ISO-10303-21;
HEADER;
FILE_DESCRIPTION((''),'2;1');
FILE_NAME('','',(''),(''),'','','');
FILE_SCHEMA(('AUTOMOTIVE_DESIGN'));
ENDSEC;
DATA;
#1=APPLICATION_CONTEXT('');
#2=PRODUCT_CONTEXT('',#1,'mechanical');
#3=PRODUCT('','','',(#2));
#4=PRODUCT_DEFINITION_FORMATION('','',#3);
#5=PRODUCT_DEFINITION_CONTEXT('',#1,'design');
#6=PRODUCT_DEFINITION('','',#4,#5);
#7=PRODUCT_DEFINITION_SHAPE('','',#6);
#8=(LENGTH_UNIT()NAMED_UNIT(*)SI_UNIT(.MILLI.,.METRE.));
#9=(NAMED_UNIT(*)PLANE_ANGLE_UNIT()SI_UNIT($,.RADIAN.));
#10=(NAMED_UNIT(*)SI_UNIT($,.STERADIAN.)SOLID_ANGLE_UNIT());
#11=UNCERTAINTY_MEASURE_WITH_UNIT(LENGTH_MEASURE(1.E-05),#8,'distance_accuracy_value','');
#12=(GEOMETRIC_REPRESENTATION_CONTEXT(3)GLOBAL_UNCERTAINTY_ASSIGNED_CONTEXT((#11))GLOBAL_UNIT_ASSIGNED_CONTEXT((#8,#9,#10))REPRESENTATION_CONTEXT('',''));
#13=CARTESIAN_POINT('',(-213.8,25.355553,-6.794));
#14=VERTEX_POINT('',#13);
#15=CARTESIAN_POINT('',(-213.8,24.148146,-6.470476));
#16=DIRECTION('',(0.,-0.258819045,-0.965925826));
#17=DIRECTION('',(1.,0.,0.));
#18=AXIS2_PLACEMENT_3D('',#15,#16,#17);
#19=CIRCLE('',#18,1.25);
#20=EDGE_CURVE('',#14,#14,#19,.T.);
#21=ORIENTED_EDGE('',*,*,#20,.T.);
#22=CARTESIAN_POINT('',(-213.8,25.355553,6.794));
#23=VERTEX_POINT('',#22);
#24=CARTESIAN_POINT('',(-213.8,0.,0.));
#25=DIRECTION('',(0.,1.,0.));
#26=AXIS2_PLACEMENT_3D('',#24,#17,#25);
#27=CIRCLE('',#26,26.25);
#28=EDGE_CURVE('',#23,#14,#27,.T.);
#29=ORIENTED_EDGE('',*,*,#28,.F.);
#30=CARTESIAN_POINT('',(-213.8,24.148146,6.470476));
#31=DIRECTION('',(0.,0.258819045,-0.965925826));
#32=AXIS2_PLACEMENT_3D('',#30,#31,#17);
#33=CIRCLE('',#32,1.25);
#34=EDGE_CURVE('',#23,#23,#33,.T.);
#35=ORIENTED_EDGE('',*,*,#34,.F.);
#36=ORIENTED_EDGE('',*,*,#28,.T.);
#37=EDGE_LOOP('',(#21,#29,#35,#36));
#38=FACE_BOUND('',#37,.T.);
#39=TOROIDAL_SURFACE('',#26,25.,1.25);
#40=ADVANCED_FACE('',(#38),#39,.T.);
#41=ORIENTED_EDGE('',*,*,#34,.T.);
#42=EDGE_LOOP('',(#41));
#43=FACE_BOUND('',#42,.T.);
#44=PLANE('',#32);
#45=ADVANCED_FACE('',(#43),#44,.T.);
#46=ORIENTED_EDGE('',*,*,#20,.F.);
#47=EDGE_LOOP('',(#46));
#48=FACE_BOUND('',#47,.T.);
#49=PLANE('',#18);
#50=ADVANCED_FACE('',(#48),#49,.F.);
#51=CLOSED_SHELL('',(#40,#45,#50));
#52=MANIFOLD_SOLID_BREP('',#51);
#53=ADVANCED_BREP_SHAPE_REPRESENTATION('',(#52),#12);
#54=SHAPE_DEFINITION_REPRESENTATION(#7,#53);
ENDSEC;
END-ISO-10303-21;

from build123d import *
from build123d.topology import SkipClean

# Parameters (mm, degrees)
SKICA1_R       = 1.25
ROTOVAT1_ANGLE = 330


with BuildPart() as part:
    # Skica1 → Rotovat1 (revolve, symmetric)
    with SkipClean():  # the faces are left unmerged after this step: merging them gives an invalid solid
        with BuildSketch(Plane.XY) as rotovat1_sk:
            with Locations((-213.8, -25)):
                Circle(SKICA1_R)
        revolve(axis=Axis((-67.482261058, 0, 0), (-1, 0, 0)), revolution_arc=ROTOVAT1_ANGLE / 2)
        revolve(rotovat1_sk.sketch, axis=Axis((-67.482261058, 0, 0), (1, 0, 0)), revolution_arc=ROTOVAT1_ANGLE / 2)


solid = part.part
